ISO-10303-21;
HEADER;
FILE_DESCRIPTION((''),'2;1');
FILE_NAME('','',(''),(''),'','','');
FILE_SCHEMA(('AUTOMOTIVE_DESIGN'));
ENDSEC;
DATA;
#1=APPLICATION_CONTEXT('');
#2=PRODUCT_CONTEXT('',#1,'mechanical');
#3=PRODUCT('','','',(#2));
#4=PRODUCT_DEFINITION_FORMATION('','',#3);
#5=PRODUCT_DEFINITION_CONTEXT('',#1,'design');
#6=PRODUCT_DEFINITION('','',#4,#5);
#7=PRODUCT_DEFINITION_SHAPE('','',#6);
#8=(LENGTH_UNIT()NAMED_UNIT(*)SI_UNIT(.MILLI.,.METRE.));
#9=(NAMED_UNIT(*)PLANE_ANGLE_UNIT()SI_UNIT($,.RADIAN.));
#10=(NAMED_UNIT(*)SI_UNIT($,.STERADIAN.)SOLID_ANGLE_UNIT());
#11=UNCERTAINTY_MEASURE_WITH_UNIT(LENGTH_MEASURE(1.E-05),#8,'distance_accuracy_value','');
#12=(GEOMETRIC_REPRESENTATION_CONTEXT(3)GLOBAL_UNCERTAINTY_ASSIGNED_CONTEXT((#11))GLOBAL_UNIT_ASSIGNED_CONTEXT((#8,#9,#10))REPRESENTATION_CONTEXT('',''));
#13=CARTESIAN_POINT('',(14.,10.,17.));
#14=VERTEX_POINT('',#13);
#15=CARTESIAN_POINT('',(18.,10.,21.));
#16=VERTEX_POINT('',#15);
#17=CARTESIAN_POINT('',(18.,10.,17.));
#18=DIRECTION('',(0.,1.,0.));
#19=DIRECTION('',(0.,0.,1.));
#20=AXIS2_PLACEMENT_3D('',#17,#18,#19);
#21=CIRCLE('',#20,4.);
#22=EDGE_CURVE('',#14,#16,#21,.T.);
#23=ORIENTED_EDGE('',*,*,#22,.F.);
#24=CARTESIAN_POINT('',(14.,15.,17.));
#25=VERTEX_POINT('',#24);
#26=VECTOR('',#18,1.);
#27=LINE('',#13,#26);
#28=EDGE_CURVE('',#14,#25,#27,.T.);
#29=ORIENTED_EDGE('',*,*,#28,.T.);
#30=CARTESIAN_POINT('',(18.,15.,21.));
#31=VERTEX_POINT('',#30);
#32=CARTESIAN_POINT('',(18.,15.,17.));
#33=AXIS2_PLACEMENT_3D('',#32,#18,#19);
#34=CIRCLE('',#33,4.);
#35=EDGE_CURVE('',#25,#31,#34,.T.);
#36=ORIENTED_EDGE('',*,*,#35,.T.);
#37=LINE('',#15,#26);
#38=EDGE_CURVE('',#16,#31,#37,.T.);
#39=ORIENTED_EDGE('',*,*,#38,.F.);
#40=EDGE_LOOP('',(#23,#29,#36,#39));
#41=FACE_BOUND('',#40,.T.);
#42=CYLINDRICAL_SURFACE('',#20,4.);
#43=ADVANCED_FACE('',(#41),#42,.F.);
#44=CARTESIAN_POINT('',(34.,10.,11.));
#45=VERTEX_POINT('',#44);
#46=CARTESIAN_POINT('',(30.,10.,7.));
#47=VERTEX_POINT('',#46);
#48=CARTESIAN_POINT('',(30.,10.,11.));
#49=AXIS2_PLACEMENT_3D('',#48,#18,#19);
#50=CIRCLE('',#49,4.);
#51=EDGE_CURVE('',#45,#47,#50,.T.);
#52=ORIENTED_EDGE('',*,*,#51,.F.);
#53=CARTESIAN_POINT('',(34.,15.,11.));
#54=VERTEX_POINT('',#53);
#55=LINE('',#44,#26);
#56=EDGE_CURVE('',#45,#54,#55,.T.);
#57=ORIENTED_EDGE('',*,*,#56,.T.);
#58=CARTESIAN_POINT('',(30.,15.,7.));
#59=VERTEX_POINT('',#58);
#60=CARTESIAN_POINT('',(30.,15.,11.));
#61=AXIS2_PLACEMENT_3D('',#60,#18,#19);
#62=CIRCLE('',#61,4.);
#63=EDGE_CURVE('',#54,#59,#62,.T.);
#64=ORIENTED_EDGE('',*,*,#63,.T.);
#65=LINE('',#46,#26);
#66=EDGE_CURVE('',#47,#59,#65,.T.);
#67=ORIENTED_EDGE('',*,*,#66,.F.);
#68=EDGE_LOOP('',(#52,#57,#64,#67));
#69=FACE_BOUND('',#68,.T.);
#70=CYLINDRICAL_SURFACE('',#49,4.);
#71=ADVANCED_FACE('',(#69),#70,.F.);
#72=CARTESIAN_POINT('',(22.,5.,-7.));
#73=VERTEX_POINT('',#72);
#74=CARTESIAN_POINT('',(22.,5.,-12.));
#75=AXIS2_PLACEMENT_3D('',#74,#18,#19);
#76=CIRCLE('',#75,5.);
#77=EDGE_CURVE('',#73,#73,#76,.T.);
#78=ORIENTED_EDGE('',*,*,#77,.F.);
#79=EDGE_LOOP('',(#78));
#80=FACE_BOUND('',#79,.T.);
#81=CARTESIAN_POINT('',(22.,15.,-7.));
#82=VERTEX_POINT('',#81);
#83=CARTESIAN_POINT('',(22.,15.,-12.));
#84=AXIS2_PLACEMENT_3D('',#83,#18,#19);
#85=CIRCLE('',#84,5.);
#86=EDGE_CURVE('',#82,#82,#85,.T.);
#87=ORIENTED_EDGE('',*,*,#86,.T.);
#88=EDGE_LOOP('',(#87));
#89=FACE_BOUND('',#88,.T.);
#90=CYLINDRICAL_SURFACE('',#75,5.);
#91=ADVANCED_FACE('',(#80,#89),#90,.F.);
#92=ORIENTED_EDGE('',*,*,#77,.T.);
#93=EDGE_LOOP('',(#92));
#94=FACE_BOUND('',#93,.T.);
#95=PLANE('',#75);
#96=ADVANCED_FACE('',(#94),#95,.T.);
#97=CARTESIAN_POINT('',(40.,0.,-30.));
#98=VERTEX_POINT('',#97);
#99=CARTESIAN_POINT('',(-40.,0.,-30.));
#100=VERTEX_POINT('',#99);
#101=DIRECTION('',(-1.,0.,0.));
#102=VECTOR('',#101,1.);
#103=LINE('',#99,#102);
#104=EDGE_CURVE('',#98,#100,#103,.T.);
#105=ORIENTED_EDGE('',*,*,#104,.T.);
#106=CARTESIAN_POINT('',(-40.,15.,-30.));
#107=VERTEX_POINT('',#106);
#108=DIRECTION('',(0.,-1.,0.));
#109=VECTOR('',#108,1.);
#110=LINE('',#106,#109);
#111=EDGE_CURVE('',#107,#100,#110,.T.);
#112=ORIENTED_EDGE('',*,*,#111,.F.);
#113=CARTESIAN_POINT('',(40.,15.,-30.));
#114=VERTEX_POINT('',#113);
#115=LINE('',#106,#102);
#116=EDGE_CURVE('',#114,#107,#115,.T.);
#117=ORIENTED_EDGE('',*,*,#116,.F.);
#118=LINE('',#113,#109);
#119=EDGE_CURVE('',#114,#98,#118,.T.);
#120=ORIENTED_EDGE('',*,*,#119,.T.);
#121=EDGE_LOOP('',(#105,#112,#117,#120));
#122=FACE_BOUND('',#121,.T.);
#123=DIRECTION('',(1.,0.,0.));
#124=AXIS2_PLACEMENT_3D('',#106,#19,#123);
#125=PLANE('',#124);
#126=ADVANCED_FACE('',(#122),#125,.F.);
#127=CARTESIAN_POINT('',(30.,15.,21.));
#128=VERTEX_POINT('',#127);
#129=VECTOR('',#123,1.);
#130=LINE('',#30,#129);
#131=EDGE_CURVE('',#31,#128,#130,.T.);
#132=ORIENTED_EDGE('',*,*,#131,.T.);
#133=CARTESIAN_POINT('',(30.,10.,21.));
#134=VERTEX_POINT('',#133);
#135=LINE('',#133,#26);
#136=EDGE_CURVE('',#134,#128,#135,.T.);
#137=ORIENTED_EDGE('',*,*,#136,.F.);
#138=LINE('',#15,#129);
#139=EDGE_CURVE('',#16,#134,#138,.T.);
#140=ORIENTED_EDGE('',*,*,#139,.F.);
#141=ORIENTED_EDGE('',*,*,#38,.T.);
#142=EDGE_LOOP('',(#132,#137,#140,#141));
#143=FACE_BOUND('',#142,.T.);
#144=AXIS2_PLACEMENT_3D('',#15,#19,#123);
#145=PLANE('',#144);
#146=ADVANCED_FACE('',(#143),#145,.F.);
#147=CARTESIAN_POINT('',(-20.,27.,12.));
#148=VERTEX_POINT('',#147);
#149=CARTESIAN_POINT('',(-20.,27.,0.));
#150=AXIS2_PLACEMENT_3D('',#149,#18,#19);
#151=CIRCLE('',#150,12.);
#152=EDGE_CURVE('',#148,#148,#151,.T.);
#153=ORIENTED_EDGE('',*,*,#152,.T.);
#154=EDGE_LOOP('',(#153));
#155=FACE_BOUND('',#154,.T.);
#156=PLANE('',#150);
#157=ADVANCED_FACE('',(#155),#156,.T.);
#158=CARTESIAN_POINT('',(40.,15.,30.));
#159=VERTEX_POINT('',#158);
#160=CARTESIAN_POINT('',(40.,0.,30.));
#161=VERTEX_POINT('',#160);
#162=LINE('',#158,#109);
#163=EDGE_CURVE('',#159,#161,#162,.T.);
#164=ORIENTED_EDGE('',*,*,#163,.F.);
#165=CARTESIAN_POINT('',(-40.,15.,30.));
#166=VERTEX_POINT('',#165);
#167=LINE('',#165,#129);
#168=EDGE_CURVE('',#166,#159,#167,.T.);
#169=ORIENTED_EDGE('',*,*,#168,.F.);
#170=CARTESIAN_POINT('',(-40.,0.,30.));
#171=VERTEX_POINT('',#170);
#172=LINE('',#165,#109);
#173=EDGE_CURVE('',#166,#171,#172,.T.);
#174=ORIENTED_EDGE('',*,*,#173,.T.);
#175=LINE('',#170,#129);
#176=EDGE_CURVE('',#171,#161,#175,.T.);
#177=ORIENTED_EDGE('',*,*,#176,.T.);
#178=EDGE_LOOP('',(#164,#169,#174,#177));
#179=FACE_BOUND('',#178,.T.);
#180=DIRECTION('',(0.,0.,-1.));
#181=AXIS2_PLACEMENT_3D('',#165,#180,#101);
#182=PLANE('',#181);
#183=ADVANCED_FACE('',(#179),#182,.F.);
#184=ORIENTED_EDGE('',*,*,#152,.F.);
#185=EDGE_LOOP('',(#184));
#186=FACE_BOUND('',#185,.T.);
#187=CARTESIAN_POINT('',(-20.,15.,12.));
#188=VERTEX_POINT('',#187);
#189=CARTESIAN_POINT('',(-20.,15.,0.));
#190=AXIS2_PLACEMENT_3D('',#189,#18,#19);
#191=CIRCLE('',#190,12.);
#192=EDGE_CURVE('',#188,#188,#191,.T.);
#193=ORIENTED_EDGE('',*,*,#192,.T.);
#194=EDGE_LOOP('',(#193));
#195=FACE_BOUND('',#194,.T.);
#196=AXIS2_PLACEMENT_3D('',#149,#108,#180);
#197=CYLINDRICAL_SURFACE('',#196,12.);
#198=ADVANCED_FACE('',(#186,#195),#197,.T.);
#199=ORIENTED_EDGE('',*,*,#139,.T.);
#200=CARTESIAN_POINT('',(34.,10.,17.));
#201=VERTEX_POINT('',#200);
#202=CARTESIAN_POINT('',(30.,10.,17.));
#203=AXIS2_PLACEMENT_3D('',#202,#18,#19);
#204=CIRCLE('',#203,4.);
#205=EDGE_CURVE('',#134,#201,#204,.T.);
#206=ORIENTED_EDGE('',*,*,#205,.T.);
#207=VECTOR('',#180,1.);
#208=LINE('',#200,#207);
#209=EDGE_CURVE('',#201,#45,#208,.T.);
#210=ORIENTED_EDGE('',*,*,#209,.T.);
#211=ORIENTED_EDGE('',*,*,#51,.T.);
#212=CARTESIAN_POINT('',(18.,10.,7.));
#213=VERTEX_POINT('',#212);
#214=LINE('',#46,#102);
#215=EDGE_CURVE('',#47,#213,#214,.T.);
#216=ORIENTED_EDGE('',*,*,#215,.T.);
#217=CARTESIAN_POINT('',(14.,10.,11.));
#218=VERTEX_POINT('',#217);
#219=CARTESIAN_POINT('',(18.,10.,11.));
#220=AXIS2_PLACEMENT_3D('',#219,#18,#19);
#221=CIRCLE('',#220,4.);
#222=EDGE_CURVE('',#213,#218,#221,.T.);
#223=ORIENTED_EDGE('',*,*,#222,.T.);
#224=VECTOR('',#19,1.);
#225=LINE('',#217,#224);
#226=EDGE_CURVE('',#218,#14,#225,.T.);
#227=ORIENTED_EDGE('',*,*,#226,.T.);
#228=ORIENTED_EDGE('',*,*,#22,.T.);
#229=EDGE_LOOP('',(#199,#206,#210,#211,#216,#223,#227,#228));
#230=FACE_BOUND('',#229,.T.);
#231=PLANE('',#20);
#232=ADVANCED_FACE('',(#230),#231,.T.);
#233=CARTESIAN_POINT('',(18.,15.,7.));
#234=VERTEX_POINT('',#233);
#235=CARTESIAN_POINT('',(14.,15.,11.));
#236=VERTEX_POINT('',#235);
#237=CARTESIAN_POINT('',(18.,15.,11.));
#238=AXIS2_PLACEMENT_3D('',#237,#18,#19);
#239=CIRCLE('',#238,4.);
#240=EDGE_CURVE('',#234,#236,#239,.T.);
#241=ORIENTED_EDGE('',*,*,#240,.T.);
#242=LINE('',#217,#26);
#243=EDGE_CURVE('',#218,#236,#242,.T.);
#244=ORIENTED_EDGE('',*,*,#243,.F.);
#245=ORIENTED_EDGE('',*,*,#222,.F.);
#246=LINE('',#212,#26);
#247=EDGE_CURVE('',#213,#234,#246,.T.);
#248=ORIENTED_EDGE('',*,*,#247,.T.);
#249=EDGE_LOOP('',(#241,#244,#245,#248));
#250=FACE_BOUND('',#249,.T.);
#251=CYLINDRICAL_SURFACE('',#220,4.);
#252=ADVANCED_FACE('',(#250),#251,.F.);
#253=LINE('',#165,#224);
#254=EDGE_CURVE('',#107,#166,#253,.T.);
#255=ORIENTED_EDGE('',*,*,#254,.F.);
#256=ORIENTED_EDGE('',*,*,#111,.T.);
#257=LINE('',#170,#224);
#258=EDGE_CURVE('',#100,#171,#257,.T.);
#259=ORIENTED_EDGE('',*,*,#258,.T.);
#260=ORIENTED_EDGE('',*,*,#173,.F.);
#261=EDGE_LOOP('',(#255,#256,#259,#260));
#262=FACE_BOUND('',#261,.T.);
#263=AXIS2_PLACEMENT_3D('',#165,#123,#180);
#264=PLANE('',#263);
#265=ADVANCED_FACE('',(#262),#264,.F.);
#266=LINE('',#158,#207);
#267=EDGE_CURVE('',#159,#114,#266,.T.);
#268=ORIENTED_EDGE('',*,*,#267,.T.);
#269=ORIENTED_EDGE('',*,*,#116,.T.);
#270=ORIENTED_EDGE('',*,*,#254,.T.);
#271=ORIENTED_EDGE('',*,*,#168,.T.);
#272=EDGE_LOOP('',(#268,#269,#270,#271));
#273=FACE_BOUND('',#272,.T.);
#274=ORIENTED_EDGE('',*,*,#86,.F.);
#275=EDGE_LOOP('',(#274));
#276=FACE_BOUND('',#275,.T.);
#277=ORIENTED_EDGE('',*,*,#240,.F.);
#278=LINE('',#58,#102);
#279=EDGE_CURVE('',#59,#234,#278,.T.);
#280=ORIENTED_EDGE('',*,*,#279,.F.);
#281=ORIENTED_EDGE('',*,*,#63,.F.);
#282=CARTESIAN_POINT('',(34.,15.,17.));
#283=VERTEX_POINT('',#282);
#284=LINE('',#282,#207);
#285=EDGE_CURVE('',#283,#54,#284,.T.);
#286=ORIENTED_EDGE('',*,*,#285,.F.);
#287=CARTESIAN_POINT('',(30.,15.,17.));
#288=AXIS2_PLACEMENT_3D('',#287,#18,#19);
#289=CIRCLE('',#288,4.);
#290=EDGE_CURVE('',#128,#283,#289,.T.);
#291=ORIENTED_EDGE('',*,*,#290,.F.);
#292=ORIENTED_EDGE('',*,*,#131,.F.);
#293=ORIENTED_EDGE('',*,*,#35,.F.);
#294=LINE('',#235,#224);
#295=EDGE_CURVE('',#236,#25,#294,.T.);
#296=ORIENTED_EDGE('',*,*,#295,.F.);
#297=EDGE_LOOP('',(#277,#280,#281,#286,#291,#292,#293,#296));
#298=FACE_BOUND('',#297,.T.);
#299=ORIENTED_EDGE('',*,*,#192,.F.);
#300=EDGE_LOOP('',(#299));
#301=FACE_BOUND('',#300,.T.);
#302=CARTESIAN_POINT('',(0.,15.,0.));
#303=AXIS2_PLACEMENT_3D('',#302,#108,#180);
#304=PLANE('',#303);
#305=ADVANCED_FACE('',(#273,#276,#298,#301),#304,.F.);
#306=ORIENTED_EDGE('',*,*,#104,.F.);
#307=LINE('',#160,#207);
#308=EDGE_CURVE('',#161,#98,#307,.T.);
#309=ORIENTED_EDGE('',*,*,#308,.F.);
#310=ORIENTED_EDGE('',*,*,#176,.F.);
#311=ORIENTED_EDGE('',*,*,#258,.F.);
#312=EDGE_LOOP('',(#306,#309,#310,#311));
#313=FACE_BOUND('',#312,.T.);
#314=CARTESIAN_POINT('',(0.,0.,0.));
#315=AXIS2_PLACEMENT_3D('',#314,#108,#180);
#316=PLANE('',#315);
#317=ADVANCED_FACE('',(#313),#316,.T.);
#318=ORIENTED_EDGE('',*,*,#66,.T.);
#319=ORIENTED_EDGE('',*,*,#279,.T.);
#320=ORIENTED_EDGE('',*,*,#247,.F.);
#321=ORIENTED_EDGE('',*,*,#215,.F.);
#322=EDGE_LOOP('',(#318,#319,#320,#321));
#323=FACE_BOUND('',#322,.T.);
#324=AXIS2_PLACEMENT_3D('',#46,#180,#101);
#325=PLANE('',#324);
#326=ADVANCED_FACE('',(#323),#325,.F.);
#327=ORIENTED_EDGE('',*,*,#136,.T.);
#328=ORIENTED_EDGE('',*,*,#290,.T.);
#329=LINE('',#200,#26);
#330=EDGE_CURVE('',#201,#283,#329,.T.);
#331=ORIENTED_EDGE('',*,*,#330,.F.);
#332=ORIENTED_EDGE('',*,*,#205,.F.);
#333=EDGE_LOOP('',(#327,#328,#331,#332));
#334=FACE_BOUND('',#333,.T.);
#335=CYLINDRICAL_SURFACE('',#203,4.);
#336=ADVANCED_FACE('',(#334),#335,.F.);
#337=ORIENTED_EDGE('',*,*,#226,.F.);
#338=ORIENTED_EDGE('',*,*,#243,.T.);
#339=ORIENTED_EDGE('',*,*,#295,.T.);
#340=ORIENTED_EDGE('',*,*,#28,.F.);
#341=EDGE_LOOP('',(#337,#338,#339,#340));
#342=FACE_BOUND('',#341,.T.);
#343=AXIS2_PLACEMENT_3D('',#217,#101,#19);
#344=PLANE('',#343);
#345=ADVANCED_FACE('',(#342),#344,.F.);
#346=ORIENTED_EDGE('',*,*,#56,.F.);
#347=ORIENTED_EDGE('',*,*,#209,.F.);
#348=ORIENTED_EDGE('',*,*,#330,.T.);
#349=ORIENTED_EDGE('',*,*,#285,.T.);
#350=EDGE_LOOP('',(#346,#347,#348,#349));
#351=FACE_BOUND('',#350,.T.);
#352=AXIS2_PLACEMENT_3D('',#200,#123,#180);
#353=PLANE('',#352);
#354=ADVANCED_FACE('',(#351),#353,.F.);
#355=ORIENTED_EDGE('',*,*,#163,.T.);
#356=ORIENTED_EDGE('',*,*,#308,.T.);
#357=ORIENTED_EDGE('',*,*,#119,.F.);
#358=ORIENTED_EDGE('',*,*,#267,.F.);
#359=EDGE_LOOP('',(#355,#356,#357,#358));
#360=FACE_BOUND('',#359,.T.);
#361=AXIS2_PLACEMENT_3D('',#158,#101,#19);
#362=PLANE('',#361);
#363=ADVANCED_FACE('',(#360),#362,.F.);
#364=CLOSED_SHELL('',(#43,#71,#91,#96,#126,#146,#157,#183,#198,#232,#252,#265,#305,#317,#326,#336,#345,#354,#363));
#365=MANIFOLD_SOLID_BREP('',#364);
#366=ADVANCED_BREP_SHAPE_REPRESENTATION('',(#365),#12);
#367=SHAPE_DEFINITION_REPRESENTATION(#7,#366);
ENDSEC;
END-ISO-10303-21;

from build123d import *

# Parameters (mm, degrees)
SKETCH1_W           = 80
SKETCH1_H           = 60
BOSS_EXTRUDE1_DEPTH = 15
SKETCH2_R           = 12
BOSS_EXTRUDE2_DEPTH = 12
SKETCH3_R           = 5
CUT_EXTRUDE2_DEPTH  = 10
CUT_EXTRUDE4_DEPTH  = 5


with BuildPart() as part:
    # Sketch1 → Boss-Extrude1 (new body)
    with BuildSketch(Plane(origin=(0, 0, 0), x_dir=(1, 0, 0), z_dir=(0, 1, 0))):
        Rectangle(SKETCH1_W, SKETCH1_H)
    extrude(amount=BOSS_EXTRUDE1_DEPTH)

    # Sketch2 → Boss-Extrude2 (add)
    with BuildSketch(Plane(origin=(0, 15, 0), x_dir=(1, 0, 0), z_dir=(0, 1, 0))):
        with Locations(Location((-20, 0, 0), (0, 0, 270))):
            Circle(SKETCH2_R)
    extrude(amount=BOSS_EXTRUDE2_DEPTH)

    # Sketch3 → Cut-Extrude2 (cut)
    with BuildSketch(Plane(origin=(0, 15, 0), x_dir=(1, 0, 0), z_dir=(0, 1, 0))):
        with Locations(Location((22, 12, 0), (0, 0, 270))):
            Circle(SKETCH3_R)
    extrude(amount=-CUT_EXTRUDE2_DEPTH, mode=Mode.SUBTRACT)

    # Sketch4 → Cut-Extrude4 (cut)
    with BuildSketch(Plane(origin=(0, 15, 0), x_dir=(1, 0, 0), z_dir=(0, 1, 0))):
        with BuildLine():
            Line((18, -21), (30, -21))
            ThreePointArc((30, -21), (32.828427125, -19.828427125), (34, -17))
            Line((34, -17), (34, -11))
            ThreePointArc((34, -11), (32.828427125, -8.171572875), (30, -7))
            Line((30, -7), (18, -7))
            ThreePointArc((18, -7), (15.171572875, -8.171572875), (14, -11))
            Line((14, -11), (14, -17))
            ThreePointArc((14, -17), (15.171572875, -19.828427125), (18, -21))
        make_face()
    extrude(amount=-CUT_EXTRUDE4_DEPTH, mode=Mode.SUBTRACT)


solid = part.part
